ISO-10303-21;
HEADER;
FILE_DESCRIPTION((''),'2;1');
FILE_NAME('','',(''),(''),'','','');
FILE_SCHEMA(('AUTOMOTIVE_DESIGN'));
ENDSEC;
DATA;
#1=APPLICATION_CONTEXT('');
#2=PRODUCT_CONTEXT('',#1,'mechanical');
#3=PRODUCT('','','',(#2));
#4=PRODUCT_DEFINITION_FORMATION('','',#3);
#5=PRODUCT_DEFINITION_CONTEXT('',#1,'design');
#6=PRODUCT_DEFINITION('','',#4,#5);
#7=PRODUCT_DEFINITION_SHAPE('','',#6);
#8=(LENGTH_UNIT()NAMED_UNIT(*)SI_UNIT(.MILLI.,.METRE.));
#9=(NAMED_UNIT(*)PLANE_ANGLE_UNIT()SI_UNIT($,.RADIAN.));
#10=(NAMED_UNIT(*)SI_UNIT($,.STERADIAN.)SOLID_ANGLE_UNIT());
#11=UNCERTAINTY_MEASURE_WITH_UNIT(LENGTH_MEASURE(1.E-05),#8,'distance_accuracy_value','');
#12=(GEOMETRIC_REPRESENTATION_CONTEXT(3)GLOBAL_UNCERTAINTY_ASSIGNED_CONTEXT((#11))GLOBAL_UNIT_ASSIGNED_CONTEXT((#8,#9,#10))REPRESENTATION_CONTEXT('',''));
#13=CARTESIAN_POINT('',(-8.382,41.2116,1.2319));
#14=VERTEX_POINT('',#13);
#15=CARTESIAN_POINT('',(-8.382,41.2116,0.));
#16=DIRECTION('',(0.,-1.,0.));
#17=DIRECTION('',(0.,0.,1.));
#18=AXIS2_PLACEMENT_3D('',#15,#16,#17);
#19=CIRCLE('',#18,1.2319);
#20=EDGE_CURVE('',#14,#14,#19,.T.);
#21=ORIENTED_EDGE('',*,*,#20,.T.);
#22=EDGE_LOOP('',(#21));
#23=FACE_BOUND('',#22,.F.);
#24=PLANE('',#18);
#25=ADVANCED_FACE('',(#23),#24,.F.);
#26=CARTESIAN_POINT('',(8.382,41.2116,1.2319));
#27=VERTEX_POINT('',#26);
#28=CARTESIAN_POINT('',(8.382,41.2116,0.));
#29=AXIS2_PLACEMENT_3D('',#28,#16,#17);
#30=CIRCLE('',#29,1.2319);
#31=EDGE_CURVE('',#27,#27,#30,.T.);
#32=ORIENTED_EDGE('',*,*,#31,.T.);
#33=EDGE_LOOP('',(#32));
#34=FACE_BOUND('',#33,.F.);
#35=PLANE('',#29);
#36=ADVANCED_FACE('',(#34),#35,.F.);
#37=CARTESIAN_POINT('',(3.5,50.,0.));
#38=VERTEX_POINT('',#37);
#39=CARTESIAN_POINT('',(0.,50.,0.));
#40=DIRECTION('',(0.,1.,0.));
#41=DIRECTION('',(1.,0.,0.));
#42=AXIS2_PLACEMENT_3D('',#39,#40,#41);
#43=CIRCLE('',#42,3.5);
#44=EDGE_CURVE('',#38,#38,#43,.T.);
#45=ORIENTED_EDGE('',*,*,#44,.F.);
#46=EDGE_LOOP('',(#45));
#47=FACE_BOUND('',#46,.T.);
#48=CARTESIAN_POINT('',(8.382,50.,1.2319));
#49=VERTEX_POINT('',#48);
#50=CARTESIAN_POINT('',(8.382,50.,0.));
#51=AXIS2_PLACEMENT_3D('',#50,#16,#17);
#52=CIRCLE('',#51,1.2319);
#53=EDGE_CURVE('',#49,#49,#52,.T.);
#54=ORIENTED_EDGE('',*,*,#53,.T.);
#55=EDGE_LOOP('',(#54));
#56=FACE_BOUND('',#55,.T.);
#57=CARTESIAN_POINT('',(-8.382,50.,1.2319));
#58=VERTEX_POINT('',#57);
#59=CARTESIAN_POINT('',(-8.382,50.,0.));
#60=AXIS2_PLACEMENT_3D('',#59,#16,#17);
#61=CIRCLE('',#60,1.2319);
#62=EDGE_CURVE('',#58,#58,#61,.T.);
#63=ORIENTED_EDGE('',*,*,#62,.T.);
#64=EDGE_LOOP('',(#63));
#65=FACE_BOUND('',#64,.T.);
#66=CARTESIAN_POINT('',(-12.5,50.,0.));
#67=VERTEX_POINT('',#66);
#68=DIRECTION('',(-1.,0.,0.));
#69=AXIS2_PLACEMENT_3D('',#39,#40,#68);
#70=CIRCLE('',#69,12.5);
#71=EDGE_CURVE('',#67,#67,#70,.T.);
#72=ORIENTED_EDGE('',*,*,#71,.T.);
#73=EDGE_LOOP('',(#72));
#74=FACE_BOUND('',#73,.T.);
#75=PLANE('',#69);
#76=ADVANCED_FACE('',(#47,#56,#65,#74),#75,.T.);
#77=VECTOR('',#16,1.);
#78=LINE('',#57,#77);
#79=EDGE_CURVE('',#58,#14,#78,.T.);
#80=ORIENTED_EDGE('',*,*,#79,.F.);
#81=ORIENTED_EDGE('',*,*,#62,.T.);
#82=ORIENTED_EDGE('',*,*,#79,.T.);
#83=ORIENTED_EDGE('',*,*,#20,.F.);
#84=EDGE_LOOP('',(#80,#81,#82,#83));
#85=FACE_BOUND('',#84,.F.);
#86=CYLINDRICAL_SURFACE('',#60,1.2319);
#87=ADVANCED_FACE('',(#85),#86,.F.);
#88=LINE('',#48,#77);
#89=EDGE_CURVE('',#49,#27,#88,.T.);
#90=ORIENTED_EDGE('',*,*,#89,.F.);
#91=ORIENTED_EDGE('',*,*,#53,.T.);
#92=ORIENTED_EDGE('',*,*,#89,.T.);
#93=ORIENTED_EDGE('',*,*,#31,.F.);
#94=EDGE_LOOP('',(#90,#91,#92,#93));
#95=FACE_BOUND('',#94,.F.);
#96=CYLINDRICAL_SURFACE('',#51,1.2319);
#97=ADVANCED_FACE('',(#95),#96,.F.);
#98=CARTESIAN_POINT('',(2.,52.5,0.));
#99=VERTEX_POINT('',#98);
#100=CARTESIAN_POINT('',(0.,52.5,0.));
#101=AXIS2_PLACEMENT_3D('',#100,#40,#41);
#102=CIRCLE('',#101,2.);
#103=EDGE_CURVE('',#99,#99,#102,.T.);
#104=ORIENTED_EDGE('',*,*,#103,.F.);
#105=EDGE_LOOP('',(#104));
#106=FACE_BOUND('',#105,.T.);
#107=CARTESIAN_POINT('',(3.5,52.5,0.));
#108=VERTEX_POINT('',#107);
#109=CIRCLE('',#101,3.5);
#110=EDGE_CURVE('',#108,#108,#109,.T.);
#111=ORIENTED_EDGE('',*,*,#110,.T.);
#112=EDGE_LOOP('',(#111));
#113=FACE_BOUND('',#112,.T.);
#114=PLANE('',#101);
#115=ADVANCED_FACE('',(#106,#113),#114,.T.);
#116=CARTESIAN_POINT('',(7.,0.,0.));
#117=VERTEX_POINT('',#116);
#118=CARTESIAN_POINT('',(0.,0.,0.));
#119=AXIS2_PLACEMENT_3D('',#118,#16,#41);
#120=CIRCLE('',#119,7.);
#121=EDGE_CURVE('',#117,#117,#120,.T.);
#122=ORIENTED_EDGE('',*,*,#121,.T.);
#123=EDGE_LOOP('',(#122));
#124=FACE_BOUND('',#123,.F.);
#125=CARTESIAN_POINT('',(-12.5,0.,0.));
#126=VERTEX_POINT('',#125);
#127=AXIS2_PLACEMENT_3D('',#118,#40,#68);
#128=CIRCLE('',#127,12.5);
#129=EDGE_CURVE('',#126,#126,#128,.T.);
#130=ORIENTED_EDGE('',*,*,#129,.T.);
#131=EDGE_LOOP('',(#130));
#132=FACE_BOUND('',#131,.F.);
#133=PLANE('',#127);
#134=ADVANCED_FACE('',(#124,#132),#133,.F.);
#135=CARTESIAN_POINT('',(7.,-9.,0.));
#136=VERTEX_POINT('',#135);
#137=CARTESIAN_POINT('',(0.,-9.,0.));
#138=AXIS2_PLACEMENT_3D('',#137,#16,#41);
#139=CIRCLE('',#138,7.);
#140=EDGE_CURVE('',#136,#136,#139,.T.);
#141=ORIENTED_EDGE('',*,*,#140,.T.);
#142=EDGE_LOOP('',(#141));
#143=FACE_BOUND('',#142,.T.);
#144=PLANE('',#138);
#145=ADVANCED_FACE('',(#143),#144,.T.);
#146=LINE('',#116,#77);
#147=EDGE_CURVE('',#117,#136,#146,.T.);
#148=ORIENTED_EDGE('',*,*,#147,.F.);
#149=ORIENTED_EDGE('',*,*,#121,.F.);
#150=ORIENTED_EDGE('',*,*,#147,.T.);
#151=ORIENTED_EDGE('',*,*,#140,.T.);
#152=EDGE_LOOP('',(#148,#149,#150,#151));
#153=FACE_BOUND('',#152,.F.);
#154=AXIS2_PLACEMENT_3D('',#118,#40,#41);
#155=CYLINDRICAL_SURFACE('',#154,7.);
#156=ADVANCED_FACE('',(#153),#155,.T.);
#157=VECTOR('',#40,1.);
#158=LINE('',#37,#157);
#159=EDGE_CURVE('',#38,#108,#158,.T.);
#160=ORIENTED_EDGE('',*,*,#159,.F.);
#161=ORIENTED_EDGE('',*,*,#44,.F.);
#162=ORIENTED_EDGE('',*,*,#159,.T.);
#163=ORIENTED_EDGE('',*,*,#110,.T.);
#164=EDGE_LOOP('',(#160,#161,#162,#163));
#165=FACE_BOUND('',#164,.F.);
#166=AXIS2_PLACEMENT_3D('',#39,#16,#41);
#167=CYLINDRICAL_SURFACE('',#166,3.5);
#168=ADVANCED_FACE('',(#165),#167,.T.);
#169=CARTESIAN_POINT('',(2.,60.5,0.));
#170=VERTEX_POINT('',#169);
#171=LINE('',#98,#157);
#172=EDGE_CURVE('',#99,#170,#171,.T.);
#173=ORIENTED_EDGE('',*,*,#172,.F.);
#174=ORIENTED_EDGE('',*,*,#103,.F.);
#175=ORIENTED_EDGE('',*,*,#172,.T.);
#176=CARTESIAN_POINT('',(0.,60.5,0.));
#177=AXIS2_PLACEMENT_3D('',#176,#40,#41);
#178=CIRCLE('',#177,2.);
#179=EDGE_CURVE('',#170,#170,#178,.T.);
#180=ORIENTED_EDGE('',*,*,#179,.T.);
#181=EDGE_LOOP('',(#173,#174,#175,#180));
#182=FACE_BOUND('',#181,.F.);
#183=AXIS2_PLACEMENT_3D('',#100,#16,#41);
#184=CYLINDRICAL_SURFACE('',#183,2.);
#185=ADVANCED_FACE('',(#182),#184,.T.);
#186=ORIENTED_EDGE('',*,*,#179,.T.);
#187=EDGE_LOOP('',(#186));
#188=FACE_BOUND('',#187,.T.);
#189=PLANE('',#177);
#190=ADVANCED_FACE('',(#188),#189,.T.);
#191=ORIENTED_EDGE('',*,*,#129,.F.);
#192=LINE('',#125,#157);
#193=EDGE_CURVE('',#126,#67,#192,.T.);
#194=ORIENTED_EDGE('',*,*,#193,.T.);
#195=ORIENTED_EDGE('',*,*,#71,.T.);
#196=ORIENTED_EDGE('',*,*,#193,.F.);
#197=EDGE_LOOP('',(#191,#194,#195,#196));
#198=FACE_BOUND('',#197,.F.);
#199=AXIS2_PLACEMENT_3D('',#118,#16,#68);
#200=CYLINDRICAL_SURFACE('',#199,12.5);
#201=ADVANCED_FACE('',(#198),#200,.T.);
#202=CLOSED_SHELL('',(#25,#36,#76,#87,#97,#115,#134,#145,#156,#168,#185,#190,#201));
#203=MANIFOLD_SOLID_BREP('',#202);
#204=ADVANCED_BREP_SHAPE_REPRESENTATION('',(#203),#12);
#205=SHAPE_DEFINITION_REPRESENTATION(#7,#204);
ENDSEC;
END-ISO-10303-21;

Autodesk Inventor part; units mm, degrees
ref_plane "YZ Plane" through (0, 0, 0) normal (1, 0, 0) x (0, 1, 0)
ref_plane "XZ Plane" through (0, 0, 0) normal (0, 1, 0) x (-1, 0, 0)
ref_plane "XY Plane" through (0, 0, 0) normal (0, 0, 1) x (1, 0, 0)
sketch "Sketch1" plane through (0, 0, 0) normal (0, 1, 0) x (-1, 0, 0)
  circle A0 centre (0, 0) radius 12.5
  dimension "d0" = 25
extrude "Extrusion1" add sketch "Sketch1" along normal blind 50
sketch "Sketch2" plane through (0, 50, 0) normal (0, 1, 0) x (1, 0, 0)
  circle A0 centre (0, 0) radius 3.5
  dimension "d3" = 7
extrude "Extrusion2" add sketch "Sketch2" along normal blind 2.5
sketch "Sketch3" plane through (0, 52.5, 0) normal (0, 1, 0) x (1, 0, 0)
  circle A0 centre (0, 0) radius 2
  dimension "d6" = 4
extrude "Extrusion3" add sketch "Sketch3" along normal blind 8
sketch "Sketch4" plane through (0, 0, 0) normal (0, -1, 0) x (1, 0, 0)
  circle A0 centre (0, 0) radius 7
  dimension "d9" = 14
extrude "Extrusion4" add sketch "Sketch4" along normal blind 9
sketch "Sketch5" plane through (0, 50, 0) normal (0, 1, 0) x (1, 0, 0)
  circle A0 centre (0, 0) radius 3.5 projected
  point P0 (-8.382, 0)
  point P1 (8.382, 0)
  dimension "d12" = 8.382
  dimension "d13" = 8.382
hole "Hole1" at (-8.382, 50, 0) at (8.382, 50, 0) direction (0, -1, 0) diameter 2.4638 depth 8.7884
properties part number "Motor"
